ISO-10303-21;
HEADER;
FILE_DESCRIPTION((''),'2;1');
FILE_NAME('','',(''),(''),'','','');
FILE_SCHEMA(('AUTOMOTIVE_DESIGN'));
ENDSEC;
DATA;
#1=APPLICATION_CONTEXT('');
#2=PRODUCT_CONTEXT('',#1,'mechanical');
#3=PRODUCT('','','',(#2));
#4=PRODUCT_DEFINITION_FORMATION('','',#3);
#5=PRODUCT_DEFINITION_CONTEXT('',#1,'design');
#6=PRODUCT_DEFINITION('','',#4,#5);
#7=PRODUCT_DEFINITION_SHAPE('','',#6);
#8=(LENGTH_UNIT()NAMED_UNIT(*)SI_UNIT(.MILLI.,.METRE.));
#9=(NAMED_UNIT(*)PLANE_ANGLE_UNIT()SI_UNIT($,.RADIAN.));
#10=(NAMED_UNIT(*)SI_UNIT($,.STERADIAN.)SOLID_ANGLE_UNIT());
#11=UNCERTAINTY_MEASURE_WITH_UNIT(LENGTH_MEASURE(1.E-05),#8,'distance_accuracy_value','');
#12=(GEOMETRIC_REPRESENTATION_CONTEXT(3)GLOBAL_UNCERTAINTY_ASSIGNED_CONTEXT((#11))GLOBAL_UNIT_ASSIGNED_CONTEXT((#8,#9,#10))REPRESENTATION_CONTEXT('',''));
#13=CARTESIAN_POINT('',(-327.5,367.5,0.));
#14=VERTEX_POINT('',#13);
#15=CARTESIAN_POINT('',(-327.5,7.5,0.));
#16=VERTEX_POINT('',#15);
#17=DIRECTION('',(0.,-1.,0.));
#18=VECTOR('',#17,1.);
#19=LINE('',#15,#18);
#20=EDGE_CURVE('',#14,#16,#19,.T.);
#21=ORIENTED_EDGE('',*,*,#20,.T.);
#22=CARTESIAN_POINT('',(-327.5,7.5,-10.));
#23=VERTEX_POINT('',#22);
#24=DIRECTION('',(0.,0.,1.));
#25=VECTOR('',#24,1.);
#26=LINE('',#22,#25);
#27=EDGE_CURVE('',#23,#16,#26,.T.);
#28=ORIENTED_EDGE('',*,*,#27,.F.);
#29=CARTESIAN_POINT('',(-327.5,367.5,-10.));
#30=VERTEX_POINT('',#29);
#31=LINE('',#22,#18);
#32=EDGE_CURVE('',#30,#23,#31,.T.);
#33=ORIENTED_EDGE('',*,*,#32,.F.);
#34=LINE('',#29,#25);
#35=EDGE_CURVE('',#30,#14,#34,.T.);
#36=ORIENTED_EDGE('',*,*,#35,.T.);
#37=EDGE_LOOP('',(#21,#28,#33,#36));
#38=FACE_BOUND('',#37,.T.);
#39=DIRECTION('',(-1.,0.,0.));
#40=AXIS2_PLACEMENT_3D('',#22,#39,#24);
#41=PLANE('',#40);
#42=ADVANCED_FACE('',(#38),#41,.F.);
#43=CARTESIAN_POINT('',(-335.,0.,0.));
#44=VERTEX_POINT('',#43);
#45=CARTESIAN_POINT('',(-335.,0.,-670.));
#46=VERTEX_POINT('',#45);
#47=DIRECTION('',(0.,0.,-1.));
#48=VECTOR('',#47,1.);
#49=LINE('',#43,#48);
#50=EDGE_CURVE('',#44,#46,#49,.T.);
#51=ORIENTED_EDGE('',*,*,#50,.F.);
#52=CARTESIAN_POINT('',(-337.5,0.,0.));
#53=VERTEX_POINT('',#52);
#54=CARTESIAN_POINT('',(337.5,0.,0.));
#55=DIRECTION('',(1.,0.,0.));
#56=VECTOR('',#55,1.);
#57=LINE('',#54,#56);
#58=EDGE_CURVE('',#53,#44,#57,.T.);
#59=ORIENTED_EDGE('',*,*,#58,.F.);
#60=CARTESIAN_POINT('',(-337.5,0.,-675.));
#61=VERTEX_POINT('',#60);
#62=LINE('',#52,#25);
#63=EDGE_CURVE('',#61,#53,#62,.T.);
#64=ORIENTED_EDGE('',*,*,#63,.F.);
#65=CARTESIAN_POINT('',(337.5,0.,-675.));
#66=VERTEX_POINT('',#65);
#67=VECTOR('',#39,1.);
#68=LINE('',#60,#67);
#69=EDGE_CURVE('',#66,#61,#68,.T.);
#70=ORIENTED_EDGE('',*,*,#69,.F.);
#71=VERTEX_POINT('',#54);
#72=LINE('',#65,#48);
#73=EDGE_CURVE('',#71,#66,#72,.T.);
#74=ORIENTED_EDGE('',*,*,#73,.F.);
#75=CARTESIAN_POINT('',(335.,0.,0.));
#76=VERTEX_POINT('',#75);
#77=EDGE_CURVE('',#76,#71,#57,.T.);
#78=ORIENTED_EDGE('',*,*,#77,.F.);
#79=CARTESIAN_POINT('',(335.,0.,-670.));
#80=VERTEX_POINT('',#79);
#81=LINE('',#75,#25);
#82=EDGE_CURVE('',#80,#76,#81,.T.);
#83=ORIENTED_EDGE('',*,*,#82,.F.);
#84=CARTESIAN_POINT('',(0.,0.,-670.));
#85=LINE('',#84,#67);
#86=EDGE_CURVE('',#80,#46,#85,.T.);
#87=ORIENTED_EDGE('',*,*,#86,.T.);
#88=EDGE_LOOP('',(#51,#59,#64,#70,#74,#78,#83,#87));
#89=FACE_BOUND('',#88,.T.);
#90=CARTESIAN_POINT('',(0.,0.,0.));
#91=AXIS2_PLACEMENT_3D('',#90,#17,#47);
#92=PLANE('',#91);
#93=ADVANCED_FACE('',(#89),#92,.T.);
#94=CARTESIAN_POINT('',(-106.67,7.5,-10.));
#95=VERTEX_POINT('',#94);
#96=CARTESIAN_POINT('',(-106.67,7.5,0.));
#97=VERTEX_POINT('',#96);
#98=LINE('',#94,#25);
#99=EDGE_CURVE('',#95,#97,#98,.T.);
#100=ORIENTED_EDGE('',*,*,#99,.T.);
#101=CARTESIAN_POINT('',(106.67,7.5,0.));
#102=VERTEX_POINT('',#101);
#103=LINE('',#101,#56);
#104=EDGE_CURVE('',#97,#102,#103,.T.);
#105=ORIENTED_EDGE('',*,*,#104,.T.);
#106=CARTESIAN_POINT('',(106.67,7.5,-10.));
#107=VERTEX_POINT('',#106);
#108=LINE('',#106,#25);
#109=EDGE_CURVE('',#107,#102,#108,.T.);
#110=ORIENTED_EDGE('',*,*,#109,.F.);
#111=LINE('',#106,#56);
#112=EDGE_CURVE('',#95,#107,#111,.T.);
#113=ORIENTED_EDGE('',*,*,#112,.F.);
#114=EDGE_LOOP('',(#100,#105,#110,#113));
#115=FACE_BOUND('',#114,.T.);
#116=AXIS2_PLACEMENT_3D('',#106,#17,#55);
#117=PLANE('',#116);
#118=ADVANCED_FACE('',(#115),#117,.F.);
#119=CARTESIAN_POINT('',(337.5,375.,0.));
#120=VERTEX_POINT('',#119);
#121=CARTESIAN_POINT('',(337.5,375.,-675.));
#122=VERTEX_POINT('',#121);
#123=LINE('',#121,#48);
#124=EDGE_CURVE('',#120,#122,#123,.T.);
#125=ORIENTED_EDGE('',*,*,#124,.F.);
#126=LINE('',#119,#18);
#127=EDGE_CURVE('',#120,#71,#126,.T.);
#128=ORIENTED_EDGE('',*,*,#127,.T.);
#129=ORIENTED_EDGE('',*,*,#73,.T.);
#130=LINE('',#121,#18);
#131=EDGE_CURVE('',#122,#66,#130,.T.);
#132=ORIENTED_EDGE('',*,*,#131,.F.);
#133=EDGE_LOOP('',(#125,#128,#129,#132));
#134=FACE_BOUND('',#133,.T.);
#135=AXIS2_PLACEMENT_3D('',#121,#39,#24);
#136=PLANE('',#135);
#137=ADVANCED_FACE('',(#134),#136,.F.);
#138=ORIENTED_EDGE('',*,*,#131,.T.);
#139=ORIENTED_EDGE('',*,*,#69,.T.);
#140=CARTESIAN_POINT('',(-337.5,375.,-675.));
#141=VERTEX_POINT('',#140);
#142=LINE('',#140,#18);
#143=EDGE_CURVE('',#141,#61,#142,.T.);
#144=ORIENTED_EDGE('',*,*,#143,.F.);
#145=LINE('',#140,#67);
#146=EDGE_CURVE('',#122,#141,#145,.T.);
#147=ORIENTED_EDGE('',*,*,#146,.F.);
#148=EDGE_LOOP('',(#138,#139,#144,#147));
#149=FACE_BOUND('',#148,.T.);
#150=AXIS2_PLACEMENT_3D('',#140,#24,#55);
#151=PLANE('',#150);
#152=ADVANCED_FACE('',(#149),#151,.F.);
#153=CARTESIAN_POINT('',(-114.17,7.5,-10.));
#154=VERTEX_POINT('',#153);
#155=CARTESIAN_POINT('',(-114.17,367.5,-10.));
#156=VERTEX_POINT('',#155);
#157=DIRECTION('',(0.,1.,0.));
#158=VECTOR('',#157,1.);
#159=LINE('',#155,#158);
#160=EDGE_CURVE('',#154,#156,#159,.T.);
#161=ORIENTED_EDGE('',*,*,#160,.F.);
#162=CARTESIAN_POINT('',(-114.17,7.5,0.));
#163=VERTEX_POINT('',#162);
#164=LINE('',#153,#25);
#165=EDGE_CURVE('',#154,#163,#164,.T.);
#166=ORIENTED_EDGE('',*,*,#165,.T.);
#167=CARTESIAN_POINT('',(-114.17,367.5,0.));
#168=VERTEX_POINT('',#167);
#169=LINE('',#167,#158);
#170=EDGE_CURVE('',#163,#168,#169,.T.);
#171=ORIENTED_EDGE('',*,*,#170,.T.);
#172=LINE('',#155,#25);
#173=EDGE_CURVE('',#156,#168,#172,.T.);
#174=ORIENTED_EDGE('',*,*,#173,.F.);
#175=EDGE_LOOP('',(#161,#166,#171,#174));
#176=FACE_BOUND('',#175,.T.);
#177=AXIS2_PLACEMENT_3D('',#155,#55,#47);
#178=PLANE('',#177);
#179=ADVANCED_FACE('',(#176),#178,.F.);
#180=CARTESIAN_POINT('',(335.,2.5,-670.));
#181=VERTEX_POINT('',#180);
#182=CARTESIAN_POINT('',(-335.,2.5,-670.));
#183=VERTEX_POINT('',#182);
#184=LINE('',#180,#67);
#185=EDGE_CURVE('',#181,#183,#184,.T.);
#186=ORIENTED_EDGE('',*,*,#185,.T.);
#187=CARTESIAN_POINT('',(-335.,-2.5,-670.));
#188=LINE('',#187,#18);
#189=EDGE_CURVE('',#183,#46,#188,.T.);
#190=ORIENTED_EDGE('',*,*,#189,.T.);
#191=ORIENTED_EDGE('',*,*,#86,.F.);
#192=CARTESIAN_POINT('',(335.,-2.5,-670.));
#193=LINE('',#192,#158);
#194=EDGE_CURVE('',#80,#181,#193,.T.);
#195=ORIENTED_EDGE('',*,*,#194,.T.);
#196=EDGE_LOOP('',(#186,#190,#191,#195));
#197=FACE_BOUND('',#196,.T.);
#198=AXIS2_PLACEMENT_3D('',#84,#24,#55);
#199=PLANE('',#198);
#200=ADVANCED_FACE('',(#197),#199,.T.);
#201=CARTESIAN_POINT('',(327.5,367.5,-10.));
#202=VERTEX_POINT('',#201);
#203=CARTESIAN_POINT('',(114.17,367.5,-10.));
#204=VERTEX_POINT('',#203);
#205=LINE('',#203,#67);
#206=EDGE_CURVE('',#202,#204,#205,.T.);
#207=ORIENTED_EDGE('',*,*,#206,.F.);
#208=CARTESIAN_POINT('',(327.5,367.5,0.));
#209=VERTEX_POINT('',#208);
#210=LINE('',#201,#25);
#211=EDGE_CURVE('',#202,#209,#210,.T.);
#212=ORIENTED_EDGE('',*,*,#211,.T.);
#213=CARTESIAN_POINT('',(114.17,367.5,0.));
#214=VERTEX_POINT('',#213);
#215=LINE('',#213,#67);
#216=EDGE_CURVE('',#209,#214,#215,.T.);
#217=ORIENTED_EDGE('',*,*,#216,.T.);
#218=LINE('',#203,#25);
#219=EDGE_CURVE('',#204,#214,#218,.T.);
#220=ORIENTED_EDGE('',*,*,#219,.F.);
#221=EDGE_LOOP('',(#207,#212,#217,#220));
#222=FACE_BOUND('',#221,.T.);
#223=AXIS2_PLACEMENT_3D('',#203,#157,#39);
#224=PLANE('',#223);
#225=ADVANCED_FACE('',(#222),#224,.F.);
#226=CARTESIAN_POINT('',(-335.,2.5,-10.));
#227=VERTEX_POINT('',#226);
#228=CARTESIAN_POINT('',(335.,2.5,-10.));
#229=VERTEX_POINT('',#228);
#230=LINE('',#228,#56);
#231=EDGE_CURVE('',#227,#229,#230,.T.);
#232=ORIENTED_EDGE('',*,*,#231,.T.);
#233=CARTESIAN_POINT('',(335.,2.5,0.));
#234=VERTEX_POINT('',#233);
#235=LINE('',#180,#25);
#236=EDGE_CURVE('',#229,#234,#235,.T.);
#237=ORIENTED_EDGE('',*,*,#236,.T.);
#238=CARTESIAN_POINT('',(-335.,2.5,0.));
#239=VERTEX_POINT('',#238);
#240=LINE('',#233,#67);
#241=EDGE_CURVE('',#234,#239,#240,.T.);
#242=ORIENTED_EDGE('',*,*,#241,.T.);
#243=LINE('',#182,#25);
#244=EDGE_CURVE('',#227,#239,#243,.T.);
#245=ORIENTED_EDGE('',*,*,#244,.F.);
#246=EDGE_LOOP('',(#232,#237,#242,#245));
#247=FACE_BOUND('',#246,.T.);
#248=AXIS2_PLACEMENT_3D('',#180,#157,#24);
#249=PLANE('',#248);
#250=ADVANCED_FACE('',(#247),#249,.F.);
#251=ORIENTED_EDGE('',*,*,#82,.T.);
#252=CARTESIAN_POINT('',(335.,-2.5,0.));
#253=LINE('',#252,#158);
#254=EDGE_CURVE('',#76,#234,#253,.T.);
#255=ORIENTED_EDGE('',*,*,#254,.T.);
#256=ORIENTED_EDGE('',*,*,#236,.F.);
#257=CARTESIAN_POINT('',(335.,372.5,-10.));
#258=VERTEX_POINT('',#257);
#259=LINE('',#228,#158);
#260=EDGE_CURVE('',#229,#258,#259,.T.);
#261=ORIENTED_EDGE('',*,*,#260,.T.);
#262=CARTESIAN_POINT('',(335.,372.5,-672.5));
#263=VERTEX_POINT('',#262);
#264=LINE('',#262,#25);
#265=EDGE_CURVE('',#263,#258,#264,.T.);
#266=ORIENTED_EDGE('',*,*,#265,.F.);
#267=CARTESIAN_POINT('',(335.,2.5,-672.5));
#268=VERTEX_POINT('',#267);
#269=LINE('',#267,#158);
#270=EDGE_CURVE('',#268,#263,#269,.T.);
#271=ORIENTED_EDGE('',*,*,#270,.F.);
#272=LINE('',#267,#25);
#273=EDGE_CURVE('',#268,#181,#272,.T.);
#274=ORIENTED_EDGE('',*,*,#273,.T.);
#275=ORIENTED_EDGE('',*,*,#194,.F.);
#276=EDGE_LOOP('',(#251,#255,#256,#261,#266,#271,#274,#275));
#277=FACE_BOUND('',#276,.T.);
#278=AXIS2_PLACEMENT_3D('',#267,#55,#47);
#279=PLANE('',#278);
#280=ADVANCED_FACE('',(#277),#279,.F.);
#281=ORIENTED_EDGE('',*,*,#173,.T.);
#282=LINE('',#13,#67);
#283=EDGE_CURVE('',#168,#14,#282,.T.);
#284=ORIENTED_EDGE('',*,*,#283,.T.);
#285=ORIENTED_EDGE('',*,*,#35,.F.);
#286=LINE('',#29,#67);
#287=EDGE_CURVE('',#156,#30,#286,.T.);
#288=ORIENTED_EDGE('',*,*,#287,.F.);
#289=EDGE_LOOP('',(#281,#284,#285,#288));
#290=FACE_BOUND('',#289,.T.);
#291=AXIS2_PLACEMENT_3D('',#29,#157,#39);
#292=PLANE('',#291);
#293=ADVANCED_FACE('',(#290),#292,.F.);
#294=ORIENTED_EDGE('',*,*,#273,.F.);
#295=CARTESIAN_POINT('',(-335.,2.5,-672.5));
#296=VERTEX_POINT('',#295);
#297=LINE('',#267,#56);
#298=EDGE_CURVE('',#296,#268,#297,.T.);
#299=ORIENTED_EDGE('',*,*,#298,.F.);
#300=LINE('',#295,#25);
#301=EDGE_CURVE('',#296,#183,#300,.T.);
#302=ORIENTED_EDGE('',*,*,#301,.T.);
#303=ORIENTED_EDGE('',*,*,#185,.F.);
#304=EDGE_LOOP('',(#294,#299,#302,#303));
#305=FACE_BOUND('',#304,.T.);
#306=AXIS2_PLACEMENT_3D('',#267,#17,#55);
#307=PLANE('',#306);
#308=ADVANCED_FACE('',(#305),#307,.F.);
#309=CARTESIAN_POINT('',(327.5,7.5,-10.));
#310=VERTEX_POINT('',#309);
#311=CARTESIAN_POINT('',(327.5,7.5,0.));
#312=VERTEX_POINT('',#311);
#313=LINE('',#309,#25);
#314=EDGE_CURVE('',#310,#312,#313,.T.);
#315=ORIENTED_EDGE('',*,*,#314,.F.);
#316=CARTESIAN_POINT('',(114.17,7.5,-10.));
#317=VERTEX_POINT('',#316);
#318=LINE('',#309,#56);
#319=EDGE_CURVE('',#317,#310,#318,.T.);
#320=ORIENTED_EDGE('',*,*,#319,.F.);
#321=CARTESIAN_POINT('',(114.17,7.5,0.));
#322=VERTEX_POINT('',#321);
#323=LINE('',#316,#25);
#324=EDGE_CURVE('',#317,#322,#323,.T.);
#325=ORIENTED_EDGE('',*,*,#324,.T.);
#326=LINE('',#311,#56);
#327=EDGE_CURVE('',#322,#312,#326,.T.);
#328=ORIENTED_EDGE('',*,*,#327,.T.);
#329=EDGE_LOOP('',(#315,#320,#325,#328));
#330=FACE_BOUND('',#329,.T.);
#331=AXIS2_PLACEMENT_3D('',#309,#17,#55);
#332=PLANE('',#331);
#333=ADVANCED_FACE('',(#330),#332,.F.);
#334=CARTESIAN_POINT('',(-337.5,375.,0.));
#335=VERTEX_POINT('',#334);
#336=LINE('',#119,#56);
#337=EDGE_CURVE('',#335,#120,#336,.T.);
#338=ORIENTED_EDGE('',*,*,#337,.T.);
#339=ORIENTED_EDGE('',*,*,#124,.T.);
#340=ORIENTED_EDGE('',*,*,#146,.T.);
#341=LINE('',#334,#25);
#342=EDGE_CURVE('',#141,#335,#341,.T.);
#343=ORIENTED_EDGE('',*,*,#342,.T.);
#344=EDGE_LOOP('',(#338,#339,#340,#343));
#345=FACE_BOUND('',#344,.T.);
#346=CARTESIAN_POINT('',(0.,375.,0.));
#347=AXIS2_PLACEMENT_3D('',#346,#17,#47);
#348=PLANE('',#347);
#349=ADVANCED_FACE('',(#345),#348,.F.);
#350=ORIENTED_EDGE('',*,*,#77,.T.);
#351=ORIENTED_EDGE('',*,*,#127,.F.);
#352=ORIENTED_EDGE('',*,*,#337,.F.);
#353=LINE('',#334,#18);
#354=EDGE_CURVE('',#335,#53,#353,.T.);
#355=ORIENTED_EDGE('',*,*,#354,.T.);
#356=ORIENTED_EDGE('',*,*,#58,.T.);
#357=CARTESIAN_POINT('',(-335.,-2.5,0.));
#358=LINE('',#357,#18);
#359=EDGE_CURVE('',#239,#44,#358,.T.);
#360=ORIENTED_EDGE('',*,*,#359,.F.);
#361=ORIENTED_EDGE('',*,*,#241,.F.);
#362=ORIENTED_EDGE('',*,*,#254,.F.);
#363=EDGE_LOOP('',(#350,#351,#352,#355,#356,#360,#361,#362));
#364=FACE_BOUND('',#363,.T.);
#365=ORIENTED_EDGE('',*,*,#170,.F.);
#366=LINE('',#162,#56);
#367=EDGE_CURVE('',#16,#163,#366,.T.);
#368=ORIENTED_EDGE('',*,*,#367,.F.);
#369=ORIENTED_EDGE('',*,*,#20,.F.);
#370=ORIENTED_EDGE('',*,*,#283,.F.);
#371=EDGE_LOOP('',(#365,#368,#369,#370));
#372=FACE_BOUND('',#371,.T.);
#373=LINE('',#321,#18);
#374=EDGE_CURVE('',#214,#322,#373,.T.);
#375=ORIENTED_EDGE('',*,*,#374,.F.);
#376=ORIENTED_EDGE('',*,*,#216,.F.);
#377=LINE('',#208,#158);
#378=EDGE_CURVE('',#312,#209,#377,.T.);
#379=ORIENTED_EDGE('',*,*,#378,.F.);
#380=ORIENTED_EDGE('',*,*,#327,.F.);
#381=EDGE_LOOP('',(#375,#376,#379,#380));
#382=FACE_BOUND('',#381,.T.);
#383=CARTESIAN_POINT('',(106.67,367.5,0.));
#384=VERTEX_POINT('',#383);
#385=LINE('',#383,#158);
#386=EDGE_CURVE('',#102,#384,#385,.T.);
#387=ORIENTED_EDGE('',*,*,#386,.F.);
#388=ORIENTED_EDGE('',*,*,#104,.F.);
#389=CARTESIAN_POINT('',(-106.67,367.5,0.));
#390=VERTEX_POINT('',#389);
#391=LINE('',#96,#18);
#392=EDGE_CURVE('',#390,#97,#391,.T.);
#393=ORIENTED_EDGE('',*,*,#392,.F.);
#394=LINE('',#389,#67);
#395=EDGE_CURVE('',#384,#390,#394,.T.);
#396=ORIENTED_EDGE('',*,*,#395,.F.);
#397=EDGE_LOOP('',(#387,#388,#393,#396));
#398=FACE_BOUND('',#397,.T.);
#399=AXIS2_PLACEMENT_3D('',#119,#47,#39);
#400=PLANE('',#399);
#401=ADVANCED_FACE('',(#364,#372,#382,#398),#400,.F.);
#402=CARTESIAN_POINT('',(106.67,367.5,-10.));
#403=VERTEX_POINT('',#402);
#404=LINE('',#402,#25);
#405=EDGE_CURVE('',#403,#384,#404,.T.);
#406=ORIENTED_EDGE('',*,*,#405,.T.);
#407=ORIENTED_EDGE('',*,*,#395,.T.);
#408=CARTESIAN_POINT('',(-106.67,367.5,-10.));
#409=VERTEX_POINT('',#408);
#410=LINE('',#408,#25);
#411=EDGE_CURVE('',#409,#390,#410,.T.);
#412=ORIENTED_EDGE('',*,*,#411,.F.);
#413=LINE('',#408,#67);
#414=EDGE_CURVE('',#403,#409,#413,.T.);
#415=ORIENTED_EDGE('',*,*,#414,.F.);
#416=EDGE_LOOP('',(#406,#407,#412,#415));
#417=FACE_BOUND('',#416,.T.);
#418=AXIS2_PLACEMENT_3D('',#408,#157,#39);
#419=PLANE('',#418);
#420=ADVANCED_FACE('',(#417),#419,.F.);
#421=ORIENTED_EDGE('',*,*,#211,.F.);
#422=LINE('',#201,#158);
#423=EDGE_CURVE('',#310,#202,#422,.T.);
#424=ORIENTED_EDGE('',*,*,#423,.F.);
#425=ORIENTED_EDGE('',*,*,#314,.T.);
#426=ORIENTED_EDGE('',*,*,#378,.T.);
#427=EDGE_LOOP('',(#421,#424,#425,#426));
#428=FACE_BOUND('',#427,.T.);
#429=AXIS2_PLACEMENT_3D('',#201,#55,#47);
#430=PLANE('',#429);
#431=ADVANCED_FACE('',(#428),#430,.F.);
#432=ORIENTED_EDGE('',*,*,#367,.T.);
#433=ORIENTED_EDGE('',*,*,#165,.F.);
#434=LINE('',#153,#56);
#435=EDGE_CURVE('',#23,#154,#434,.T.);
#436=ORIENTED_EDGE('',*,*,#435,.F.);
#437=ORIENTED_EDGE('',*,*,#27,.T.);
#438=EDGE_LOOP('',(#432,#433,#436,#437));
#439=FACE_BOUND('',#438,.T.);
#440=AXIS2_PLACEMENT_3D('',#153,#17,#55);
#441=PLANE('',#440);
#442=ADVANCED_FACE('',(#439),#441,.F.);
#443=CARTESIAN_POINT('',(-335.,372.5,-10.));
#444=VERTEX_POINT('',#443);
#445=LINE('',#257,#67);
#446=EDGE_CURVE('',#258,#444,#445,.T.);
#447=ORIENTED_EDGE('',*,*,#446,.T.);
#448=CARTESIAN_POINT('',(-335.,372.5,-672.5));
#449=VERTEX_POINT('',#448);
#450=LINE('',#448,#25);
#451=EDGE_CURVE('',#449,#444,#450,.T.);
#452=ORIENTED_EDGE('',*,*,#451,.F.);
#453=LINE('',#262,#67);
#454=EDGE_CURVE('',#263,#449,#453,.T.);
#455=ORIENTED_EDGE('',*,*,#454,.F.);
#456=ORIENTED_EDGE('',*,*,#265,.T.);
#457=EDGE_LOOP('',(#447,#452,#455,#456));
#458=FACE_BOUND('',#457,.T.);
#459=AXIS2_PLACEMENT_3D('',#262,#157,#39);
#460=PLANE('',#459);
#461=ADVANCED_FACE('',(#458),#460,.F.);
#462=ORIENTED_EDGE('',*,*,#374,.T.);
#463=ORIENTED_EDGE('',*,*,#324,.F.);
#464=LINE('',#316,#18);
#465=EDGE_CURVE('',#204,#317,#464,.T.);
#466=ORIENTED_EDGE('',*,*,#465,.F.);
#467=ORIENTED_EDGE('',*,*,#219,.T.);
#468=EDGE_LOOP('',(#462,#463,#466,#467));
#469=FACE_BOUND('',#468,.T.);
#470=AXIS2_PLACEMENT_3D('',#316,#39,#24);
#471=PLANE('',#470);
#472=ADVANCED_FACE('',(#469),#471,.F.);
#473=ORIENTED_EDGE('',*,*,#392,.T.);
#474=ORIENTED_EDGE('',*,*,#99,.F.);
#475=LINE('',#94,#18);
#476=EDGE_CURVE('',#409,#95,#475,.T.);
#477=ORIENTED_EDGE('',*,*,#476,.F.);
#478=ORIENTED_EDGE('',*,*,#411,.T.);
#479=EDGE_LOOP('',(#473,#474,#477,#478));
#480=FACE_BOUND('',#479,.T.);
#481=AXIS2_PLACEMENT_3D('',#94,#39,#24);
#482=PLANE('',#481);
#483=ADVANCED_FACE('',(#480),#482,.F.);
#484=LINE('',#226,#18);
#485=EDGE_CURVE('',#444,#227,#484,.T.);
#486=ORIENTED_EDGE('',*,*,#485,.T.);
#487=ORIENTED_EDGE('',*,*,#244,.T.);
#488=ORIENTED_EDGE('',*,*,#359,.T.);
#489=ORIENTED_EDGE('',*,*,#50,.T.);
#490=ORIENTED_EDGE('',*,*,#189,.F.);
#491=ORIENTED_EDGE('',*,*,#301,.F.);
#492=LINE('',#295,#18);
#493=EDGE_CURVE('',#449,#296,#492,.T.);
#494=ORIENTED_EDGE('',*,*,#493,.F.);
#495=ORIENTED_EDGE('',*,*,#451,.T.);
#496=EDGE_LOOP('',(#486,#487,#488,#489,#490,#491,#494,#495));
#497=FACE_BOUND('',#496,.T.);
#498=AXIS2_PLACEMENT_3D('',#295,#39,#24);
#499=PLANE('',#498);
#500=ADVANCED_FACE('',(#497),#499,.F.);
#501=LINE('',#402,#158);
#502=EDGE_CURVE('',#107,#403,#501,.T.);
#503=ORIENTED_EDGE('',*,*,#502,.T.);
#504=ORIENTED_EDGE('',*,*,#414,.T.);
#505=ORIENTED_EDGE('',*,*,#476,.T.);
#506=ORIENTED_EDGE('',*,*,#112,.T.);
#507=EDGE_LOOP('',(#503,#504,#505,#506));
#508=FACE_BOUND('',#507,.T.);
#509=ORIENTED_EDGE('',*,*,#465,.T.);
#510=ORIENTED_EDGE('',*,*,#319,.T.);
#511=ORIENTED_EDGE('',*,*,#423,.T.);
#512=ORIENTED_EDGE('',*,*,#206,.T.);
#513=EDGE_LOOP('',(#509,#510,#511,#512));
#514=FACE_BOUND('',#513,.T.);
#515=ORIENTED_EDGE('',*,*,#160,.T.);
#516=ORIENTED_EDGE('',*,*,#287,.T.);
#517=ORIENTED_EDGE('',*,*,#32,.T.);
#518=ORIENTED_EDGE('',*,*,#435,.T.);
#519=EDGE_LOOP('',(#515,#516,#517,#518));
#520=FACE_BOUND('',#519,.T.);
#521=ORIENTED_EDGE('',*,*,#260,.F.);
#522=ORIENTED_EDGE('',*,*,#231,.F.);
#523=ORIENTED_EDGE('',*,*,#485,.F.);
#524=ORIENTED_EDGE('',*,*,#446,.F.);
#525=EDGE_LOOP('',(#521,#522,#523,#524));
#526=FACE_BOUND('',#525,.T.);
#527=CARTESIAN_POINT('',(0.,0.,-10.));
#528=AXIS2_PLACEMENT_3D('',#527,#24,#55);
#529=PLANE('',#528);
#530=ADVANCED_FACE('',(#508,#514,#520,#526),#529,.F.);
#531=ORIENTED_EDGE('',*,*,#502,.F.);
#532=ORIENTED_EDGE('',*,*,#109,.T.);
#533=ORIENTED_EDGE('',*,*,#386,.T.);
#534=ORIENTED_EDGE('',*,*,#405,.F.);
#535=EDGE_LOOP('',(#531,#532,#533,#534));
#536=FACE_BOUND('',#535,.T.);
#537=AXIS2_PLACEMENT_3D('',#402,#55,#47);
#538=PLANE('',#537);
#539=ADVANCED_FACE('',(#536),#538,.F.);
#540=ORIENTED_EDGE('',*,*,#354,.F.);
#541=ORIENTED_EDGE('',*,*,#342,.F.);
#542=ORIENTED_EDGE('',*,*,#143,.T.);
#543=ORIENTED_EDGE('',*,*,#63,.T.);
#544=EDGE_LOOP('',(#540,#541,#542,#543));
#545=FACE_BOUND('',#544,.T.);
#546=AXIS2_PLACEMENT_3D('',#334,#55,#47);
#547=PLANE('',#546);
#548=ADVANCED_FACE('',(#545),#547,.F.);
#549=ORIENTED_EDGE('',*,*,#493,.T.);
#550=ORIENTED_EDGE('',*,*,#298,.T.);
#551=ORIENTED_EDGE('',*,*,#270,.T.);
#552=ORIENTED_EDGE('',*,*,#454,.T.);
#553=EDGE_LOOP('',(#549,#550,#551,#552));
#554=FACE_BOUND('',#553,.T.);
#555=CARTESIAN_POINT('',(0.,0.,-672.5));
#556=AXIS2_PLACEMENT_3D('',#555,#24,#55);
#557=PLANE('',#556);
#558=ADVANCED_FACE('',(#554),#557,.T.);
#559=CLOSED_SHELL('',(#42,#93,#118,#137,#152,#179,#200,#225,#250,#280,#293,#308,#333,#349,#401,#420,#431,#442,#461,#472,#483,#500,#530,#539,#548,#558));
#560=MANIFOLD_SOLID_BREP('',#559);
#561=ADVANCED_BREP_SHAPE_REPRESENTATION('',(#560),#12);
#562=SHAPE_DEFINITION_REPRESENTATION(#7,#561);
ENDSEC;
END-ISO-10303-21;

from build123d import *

# Parameters (mm, degrees)
SKETCH1_W           = 675
SKETCH1_H           = 675
BOSS_EXTRUDE1_DEPTH = 375
CUT_EXTRUDE3_START  = -10
SKETCH4_W           = 670
SKETCH4_H           = 370
CUT_EXTRUDE3_DEPTH  = 662.5
SKETCH6_W           = 670
SKETCH6_H           = 5
CUT_EXTRUDE4_DEPTH  = 670
SKETCH11_W          = 213.34
SKETCH11_H          = 360
SKETCH11_W_2        = 213.33
CUT_EXTRUDE6_DEPTH  = 10


with BuildPart() as part:
    # Sketch1 → Boss-Extrude1 (new body)
    with BuildSketch(Plane(origin=(0, 0, 0), x_dir=(1, 0, 0), z_dir=(0, 1, 0))):
        with Locations((0, 337.5)):
            Rectangle(SKETCH1_W, SKETCH1_H)
    extrude(amount=BOSS_EXTRUDE1_DEPTH)

    # Sketch4 → Cut-Extrude3 (cut)
    with BuildSketch(Plane.XY.offset(CUT_EXTRUDE3_START)):
        with Locations((0, 187.5)):
            Rectangle(SKETCH4_W, SKETCH4_H)
    extrude(amount=-CUT_EXTRUDE3_DEPTH, mode=Mode.SUBTRACT)

    # Sketch6 → Cut-Extrude4 (cut)
    with BuildSketch(Plane.XY):
        Rectangle(SKETCH6_W, SKETCH6_H)
    extrude(amount=-CUT_EXTRUDE4_DEPTH, mode=Mode.SUBTRACT)

    # Sketch11 → Cut-Extrude6 (cut)
    with BuildSketch(Plane.XY):
        with Locations((0, 187.5)):
            Rectangle(SKETCH11_W, SKETCH11_H)
        with Locations((-220.835, 187.5)):
            Rectangle(SKETCH11_W_2, SKETCH11_H)
        with Locations((220.835, 187.5)):
            Rectangle(SKETCH11_W_2, SKETCH11_H)
    extrude(amount=-CUT_EXTRUDE6_DEPTH, mode=Mode.SUBTRACT)


solid = part.part
